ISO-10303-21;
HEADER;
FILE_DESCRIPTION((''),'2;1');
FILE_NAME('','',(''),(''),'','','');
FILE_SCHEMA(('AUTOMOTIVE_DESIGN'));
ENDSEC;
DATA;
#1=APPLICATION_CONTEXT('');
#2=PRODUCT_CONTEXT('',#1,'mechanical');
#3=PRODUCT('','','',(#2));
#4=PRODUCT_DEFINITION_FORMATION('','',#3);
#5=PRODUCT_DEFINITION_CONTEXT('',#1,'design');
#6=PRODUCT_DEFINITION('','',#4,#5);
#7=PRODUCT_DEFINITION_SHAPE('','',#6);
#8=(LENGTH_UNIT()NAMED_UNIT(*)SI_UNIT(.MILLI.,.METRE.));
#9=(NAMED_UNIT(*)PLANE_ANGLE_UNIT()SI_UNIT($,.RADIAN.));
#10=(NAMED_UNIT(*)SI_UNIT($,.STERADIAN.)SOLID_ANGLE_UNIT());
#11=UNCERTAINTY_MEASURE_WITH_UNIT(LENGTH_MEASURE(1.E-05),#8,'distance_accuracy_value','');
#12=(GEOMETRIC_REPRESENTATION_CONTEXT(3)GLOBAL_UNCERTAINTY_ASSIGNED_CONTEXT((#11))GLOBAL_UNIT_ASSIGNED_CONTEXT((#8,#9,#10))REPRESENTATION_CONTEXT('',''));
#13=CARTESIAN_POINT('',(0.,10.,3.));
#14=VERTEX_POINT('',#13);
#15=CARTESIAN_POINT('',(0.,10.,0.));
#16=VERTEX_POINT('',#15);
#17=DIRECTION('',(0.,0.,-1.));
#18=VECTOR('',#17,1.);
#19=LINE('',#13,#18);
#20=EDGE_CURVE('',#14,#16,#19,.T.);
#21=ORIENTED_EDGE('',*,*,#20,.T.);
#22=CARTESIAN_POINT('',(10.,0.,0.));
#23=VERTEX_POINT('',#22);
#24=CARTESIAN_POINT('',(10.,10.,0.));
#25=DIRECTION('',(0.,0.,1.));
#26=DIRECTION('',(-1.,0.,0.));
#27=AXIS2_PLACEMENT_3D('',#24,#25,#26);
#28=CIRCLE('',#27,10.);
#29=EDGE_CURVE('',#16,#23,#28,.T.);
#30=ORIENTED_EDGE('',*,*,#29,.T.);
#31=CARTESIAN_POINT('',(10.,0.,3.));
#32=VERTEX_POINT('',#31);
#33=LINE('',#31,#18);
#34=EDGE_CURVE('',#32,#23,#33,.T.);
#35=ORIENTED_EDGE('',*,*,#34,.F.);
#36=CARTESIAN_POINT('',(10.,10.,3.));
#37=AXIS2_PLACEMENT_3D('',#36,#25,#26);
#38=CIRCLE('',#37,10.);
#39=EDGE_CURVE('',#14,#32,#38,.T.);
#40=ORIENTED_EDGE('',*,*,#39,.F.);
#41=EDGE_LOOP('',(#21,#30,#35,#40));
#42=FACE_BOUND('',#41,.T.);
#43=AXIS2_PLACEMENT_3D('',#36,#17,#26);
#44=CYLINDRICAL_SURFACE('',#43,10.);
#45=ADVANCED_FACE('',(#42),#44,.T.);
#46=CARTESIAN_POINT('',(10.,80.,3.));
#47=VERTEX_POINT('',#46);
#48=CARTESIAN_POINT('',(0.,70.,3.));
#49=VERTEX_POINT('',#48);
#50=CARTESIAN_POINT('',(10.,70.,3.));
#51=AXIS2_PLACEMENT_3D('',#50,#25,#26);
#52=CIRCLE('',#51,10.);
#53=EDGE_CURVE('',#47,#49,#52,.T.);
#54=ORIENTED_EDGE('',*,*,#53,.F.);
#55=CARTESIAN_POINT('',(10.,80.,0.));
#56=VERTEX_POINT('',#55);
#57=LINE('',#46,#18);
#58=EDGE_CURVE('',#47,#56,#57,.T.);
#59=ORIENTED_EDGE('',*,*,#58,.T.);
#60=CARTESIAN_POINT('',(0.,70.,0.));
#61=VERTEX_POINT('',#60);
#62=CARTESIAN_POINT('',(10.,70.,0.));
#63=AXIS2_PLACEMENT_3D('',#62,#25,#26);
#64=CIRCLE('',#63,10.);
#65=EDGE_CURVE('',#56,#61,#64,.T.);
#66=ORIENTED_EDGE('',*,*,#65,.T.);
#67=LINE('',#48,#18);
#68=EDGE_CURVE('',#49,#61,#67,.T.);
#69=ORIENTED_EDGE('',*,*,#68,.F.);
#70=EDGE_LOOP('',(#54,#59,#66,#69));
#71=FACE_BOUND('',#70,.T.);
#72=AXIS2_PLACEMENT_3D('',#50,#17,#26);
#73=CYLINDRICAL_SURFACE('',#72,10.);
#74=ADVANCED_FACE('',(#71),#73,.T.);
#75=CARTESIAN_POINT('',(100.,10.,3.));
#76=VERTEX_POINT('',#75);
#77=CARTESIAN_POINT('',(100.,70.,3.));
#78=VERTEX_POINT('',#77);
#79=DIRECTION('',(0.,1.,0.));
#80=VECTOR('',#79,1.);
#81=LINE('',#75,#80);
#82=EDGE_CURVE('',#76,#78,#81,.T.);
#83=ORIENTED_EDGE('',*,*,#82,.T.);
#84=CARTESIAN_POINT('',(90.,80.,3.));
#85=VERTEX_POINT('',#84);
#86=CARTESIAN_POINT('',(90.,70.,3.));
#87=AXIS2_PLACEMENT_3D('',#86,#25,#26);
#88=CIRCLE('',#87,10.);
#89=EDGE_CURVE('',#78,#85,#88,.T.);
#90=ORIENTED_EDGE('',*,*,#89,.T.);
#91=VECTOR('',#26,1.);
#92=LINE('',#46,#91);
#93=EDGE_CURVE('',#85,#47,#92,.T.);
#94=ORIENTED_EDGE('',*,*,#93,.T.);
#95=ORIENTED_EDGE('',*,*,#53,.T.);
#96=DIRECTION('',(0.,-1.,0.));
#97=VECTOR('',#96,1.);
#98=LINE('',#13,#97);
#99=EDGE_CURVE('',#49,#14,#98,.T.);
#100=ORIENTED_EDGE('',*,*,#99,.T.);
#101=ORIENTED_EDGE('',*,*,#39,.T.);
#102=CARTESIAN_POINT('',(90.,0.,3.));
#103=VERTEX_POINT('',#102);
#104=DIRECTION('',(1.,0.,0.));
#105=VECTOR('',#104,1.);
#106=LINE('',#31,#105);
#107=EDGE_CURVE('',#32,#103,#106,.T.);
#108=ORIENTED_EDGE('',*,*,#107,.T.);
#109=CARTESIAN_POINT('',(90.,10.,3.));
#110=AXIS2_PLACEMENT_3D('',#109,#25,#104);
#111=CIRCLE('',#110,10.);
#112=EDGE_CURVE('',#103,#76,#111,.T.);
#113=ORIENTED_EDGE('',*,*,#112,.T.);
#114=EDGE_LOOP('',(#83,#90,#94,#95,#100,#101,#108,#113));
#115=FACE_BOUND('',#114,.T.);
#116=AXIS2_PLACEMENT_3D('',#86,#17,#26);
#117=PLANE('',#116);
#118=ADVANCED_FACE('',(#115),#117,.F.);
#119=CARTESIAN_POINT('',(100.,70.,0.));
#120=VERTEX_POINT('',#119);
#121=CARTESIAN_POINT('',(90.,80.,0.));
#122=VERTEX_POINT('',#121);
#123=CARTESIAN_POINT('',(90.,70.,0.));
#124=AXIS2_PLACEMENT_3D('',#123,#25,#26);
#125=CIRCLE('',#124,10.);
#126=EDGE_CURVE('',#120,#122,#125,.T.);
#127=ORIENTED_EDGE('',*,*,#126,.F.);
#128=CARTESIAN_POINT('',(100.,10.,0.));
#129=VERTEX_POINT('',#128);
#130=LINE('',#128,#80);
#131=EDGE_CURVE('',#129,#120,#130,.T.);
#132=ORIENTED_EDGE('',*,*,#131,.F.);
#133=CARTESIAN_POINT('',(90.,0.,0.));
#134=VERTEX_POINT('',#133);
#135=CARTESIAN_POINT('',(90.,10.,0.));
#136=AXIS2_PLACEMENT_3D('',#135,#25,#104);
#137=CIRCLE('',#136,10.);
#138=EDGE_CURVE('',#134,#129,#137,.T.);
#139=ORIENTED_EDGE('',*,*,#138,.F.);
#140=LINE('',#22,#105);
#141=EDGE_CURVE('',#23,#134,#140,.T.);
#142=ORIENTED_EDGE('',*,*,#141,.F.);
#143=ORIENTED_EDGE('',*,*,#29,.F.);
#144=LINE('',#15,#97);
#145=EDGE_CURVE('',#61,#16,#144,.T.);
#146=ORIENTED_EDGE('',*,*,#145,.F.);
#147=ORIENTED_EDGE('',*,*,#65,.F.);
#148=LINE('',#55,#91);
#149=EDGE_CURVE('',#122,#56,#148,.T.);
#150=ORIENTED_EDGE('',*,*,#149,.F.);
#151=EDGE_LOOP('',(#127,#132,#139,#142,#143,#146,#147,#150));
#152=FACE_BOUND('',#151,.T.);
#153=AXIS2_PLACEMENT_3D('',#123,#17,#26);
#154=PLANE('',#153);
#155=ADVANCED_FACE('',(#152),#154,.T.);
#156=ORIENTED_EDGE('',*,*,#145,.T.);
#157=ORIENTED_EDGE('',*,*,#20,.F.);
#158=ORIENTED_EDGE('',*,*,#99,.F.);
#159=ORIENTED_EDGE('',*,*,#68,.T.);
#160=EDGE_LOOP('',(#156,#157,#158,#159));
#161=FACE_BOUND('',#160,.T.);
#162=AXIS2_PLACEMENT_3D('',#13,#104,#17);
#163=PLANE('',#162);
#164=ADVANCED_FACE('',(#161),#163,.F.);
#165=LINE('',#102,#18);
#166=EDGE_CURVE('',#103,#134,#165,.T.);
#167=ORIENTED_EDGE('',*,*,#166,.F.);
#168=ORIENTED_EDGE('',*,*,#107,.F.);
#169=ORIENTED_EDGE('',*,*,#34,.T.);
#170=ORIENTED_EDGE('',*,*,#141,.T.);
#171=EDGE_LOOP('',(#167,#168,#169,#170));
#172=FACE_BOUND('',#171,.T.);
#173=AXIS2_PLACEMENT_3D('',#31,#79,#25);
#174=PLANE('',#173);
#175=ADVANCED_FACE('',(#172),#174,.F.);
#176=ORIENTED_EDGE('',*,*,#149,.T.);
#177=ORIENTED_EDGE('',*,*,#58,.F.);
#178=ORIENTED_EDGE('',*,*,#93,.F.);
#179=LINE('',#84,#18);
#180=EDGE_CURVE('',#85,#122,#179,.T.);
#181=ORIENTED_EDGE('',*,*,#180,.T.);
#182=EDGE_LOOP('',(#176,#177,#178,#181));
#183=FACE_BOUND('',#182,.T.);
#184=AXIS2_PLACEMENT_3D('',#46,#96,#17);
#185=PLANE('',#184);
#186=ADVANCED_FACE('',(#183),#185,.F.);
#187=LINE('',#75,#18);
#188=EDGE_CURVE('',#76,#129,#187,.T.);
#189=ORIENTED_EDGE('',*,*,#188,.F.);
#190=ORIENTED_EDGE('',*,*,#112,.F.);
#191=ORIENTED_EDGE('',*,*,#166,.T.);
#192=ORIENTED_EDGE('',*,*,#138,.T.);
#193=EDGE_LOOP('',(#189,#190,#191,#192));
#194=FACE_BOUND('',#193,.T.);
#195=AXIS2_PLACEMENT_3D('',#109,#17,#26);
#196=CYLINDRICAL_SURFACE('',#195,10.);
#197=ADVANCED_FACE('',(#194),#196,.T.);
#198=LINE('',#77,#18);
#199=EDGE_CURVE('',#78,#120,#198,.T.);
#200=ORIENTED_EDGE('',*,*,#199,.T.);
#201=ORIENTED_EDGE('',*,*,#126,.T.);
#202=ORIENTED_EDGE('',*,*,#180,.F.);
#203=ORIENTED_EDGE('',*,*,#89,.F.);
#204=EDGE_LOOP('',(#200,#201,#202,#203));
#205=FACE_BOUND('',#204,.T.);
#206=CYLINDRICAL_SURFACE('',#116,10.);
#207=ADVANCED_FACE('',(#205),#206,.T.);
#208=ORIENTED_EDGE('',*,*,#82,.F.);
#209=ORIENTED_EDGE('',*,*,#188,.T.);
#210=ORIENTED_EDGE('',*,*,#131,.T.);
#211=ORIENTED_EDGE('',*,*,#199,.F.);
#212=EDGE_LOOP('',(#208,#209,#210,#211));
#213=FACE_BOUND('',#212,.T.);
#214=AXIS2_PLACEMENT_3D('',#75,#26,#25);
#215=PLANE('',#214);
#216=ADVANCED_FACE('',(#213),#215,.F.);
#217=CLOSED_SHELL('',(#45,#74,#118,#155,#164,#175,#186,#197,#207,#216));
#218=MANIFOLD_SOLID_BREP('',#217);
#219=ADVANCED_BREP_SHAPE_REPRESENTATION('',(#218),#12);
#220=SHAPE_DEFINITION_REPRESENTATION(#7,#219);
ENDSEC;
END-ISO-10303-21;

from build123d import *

# Parameters (mm, degrees)
DODANIE_WYCI_GNI_CIE1_DEPTH = 3


with BuildPart() as part:
    # Szkic1 → Dodanie-wyciągnięcie1 (new body)
    with BuildSketch(Plane.XY):
        with BuildLine():
            Line((10, 0), (90, 0))
            ThreePointArc((90, 0), (97.071067812, 2.928932188), (100, 10))
            Line((100, 10), (100, 70))
            ThreePointArc((100, 70), (97.071067812, 77.071067812), (90, 80))
            Line((90, 80), (10, 80))
            ThreePointArc((10, 80), (2.928932188, 77.071067812), (0, 70))
            Line((0, 70), (0, 10))
            ThreePointArc((0, 10), (2.928932188, 2.928932188), (10, 0))
        make_face()
    extrude(amount=DODANIE_WYCI_GNI_CIE1_DEPTH)


solid = part.part
